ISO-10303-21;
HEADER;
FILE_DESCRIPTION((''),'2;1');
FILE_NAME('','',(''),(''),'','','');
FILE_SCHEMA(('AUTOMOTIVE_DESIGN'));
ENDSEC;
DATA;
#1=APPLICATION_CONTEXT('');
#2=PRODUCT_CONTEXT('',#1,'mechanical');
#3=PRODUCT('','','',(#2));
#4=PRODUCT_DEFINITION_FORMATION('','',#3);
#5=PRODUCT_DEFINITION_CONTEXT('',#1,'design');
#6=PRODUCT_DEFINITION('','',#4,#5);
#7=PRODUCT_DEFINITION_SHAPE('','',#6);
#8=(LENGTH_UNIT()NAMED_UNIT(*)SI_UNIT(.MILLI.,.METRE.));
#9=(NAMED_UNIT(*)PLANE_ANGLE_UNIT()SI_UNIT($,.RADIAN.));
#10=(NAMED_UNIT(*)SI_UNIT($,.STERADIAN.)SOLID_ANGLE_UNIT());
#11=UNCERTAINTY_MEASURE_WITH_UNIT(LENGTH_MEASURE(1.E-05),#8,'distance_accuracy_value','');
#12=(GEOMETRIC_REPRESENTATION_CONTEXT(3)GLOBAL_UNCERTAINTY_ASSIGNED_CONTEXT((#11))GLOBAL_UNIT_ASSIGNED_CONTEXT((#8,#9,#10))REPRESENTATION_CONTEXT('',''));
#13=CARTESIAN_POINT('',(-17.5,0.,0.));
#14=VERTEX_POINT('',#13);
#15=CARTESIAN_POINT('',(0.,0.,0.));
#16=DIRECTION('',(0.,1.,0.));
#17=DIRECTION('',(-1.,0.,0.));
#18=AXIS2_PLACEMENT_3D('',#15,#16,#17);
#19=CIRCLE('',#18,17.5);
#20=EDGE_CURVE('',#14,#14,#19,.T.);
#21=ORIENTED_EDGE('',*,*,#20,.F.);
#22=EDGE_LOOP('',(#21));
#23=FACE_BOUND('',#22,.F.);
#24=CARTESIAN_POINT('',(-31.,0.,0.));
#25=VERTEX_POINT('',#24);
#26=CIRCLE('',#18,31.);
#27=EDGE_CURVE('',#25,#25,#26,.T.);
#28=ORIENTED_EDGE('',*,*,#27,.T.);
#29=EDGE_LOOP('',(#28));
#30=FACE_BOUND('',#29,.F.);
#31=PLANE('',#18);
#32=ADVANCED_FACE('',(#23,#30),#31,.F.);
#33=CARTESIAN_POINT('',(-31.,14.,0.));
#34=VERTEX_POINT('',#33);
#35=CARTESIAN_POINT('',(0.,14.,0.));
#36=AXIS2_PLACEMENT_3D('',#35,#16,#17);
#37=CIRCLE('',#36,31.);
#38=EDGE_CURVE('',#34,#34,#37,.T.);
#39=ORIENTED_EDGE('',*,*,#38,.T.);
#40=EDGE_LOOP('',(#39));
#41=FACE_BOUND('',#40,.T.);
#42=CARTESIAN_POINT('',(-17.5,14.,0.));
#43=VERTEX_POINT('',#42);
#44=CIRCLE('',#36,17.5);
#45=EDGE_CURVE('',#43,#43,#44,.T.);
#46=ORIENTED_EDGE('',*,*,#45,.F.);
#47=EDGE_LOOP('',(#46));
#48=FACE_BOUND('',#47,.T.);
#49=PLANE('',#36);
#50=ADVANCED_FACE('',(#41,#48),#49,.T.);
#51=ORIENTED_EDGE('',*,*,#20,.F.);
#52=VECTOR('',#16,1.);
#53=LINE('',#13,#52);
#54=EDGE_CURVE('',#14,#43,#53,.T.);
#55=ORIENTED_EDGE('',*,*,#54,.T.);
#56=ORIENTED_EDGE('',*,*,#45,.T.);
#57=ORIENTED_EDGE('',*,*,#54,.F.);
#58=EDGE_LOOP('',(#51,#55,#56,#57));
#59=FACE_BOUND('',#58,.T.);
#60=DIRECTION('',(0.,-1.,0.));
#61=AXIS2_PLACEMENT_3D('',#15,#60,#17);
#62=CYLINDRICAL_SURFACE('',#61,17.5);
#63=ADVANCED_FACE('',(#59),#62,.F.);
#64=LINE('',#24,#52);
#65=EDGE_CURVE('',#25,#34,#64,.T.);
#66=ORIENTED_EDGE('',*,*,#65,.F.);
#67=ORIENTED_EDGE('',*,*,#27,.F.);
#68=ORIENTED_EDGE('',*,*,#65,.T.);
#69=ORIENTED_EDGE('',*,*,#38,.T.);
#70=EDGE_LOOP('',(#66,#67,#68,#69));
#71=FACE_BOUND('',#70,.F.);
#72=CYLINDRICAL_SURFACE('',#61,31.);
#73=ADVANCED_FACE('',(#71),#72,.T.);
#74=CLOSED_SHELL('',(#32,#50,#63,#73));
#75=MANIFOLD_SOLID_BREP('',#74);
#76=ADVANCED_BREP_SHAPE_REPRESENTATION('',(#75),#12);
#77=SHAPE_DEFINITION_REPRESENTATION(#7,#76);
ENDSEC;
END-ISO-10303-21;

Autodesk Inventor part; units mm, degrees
ref_plane "YZ Plane" through (0, 0, 0) normal (1, 0, 0) x (0, 1, 0)
ref_plane "XZ Plane" through (0, 0, 0) normal (0, 1, 0) x (-1, 0, 0)
ref_plane "XY Plane" through (0, 0, 0) normal (0, 0, 1) x (1, 0, 0)
sketch "Sketch1" plane through (0, 0, 0) normal (0, 1, 0) x (-1, 0, 0)
  circle A0 centre (0, 0) radius 31
  circle A1 centre (0, 0) radius 17.5
  dimension "d0" = 62
  dimension "d1" = 35
extrude "Extrusion1" add sketch "Sketch1" along normal blind 14
properties part number "Bearing"
